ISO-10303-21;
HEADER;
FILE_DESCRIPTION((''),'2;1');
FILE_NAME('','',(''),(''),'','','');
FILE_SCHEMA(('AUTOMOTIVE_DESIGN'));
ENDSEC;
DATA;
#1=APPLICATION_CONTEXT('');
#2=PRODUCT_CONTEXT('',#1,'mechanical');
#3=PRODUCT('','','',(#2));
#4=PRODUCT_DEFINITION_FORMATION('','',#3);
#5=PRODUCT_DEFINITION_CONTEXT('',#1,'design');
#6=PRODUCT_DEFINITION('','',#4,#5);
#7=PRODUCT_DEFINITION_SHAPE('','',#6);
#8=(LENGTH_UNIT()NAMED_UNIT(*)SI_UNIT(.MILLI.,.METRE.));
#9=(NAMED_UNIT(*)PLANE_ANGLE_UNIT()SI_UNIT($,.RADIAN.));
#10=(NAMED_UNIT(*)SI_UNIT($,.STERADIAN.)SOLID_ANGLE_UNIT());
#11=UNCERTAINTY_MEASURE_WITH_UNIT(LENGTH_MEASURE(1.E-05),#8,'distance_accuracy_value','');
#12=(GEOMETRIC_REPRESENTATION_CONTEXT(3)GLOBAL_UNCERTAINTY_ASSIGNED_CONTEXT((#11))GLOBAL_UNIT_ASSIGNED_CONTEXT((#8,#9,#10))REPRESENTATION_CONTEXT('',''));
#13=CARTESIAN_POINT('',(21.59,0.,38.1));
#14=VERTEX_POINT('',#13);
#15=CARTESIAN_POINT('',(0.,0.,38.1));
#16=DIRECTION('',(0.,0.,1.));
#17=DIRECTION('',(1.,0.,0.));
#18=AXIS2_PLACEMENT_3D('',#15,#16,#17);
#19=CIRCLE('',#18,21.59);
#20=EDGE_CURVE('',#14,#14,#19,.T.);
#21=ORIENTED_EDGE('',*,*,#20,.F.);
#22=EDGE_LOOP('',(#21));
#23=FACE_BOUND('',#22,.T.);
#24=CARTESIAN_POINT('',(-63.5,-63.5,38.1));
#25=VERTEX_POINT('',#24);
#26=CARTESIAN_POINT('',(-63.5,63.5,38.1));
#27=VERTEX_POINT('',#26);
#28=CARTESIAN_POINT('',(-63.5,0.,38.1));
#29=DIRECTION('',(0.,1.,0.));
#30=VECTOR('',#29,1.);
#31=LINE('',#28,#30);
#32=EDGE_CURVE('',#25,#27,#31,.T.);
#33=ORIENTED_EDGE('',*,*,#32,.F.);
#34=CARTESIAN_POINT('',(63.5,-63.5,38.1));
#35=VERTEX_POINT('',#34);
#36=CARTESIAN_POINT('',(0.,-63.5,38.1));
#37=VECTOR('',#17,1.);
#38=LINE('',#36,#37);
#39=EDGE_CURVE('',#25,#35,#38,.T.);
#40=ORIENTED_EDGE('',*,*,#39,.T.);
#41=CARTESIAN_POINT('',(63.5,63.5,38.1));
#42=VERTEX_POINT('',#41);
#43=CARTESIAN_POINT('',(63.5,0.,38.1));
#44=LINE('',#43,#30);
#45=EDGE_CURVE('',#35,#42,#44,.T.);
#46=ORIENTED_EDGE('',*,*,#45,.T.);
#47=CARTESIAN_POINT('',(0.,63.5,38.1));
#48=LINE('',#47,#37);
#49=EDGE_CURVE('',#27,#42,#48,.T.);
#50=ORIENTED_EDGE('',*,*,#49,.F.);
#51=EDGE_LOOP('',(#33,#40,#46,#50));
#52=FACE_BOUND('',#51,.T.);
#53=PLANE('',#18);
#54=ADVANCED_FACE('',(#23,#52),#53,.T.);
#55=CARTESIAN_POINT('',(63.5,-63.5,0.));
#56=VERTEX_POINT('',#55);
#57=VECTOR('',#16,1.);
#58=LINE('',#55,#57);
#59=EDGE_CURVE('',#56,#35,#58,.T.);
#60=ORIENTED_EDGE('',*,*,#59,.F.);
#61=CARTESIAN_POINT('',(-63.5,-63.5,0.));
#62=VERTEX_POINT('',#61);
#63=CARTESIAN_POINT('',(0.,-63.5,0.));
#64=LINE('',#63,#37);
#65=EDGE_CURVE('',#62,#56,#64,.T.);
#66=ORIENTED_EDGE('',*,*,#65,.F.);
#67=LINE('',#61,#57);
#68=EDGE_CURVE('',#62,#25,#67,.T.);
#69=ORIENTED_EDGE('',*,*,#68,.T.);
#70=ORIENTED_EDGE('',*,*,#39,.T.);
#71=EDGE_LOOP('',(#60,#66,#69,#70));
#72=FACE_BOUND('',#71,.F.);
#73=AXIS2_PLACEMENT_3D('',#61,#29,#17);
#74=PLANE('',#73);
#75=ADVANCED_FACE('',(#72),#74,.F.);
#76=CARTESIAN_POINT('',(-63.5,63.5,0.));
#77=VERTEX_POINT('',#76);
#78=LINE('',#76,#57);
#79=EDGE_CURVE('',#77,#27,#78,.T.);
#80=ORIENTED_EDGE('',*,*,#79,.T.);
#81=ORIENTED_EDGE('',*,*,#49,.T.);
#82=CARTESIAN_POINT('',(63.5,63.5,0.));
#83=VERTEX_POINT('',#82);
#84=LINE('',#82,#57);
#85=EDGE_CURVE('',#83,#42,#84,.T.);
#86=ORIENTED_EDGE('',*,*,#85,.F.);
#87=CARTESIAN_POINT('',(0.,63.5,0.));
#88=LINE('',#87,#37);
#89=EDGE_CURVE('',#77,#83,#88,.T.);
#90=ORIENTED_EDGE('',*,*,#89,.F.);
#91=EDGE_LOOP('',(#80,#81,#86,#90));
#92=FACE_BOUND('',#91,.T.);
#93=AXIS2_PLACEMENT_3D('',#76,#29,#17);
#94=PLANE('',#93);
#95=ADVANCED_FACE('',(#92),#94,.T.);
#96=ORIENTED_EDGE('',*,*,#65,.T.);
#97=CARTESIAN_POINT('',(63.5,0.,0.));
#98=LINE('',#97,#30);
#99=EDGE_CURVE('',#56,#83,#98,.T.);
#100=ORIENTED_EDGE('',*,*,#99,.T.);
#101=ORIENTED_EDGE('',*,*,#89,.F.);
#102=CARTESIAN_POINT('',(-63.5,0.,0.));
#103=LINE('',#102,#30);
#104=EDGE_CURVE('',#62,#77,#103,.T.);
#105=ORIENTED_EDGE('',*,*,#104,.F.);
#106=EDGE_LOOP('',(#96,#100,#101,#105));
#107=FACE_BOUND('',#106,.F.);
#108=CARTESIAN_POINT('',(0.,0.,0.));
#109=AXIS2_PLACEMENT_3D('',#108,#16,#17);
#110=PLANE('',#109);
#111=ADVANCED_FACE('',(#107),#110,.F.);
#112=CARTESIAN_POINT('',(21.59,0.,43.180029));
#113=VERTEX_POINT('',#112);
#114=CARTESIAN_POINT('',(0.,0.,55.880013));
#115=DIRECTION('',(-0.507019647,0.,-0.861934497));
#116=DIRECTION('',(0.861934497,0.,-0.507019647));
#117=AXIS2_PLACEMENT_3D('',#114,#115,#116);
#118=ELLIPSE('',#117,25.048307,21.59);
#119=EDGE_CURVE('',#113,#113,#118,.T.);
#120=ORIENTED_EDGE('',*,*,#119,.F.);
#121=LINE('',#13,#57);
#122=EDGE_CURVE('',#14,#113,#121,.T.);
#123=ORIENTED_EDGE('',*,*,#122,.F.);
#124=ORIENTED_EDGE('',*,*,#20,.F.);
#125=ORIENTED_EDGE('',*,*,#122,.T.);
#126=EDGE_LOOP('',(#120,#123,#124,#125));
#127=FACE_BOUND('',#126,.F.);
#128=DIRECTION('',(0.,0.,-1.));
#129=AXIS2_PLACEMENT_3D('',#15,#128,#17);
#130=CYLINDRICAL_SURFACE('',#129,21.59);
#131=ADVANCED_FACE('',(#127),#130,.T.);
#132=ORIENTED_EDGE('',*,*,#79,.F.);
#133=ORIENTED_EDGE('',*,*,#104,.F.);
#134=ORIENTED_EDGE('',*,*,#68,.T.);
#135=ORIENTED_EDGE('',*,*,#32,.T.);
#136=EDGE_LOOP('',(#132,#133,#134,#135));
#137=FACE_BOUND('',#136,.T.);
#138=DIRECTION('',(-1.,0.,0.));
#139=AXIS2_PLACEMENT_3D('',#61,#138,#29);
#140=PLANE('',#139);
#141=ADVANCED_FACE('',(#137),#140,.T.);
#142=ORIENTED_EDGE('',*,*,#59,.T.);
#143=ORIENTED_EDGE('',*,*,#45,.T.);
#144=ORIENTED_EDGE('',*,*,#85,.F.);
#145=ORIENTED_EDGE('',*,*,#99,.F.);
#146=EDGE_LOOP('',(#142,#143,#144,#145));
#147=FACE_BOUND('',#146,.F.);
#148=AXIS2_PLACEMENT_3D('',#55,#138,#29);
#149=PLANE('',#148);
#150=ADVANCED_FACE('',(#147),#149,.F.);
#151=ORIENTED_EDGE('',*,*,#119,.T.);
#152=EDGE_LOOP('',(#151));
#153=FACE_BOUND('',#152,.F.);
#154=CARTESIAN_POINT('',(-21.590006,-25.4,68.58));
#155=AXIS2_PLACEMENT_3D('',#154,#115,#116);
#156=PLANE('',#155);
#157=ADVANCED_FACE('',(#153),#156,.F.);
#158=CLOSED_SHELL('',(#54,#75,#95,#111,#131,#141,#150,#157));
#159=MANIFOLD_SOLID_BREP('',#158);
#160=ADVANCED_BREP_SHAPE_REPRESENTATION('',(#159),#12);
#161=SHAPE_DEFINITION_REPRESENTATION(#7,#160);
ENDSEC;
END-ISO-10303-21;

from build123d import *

# Parameters (mm, degrees)
F0_W     = 127
F0_H     = 127
F1_DEPTH = 38.1
F2_R     = 21.59
F4_DEPTH = 30.48
F7_DEPTH = 1270


with BuildPart() as f1:
    # F0 (on Top) → F1 (new body)
    with BuildSketch(Plane.XY):
        Rectangle(F0_W, F0_H)
    extrude(amount=F1_DEPTH)

    # F2 (on face) → F4 (join)
    with BuildSketch(Plane.XY.offset(38.1)):
        Circle(F2_R)
    extrude(amount=F4_DEPTH)

    # F6 (on offset) → F7 (cut)
    with BuildSketch(Plane.XZ.offset(25.4)):
        Polygon((21.590049, 68.58), (-21.590006, 68.58), (21.590049, 43.18), align=None)
    extrude(amount=-F7_DEPTH, mode=Mode.SUBTRACT)


solid = f1.part
